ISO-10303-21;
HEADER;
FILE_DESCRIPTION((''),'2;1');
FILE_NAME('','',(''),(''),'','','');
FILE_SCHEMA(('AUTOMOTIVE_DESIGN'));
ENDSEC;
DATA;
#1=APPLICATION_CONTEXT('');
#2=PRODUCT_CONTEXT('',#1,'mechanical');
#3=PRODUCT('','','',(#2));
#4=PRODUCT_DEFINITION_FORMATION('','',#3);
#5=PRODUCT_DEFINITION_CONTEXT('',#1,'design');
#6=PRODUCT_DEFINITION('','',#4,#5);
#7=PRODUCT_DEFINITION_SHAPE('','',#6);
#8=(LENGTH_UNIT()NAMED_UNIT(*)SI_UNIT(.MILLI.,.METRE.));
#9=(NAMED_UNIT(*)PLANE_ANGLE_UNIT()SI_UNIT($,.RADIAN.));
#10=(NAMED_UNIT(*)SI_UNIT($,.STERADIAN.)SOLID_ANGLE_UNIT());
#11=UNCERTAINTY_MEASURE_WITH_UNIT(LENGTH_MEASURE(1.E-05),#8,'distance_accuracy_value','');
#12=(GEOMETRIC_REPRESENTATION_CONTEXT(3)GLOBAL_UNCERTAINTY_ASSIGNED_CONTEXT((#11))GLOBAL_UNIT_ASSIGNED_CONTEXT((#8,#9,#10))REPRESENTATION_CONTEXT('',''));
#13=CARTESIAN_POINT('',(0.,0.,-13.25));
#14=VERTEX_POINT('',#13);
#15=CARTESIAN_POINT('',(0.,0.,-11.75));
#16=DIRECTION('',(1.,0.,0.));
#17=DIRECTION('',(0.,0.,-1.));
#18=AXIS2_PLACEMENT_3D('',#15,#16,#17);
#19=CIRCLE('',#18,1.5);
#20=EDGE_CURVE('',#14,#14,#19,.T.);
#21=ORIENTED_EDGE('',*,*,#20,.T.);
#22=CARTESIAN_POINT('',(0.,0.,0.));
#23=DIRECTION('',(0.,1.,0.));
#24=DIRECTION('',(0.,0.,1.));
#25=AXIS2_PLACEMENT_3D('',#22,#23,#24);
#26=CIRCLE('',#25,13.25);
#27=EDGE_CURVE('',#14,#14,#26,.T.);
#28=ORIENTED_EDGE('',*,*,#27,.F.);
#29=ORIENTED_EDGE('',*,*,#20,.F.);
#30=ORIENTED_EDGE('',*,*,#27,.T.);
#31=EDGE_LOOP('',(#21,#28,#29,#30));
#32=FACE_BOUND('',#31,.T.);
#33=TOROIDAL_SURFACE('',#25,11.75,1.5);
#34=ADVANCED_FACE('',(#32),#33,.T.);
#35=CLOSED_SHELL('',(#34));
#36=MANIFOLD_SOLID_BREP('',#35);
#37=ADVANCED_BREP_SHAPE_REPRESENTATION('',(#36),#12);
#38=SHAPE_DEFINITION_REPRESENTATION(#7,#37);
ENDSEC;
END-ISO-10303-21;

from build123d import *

# Parameters (mm, degrees)
ESQUISSE2_R = 1.5


with BuildPart() as part:
    # Balayage1: sweep along a path in Esquisse1
    with BuildLine(Plane(origin=(0, 0, 0), x_dir=(1, 0, 0), z_dir=(0, 1, 0))) as balayage1_path:
        CenterArc((0, 0), 11.75, 0, 360)
    # Esquisse2 → Balayage1 (sweep)
    with BuildSketch(Plane(origin=(0, 0, 0), x_dir=(0, 0, -1), z_dir=(1, 0, 0))):
        with Locations((11.75, 0)):
            Circle(ESQUISSE2_R)
    sweep(path=balayage1_path.line)


solid = part.part
